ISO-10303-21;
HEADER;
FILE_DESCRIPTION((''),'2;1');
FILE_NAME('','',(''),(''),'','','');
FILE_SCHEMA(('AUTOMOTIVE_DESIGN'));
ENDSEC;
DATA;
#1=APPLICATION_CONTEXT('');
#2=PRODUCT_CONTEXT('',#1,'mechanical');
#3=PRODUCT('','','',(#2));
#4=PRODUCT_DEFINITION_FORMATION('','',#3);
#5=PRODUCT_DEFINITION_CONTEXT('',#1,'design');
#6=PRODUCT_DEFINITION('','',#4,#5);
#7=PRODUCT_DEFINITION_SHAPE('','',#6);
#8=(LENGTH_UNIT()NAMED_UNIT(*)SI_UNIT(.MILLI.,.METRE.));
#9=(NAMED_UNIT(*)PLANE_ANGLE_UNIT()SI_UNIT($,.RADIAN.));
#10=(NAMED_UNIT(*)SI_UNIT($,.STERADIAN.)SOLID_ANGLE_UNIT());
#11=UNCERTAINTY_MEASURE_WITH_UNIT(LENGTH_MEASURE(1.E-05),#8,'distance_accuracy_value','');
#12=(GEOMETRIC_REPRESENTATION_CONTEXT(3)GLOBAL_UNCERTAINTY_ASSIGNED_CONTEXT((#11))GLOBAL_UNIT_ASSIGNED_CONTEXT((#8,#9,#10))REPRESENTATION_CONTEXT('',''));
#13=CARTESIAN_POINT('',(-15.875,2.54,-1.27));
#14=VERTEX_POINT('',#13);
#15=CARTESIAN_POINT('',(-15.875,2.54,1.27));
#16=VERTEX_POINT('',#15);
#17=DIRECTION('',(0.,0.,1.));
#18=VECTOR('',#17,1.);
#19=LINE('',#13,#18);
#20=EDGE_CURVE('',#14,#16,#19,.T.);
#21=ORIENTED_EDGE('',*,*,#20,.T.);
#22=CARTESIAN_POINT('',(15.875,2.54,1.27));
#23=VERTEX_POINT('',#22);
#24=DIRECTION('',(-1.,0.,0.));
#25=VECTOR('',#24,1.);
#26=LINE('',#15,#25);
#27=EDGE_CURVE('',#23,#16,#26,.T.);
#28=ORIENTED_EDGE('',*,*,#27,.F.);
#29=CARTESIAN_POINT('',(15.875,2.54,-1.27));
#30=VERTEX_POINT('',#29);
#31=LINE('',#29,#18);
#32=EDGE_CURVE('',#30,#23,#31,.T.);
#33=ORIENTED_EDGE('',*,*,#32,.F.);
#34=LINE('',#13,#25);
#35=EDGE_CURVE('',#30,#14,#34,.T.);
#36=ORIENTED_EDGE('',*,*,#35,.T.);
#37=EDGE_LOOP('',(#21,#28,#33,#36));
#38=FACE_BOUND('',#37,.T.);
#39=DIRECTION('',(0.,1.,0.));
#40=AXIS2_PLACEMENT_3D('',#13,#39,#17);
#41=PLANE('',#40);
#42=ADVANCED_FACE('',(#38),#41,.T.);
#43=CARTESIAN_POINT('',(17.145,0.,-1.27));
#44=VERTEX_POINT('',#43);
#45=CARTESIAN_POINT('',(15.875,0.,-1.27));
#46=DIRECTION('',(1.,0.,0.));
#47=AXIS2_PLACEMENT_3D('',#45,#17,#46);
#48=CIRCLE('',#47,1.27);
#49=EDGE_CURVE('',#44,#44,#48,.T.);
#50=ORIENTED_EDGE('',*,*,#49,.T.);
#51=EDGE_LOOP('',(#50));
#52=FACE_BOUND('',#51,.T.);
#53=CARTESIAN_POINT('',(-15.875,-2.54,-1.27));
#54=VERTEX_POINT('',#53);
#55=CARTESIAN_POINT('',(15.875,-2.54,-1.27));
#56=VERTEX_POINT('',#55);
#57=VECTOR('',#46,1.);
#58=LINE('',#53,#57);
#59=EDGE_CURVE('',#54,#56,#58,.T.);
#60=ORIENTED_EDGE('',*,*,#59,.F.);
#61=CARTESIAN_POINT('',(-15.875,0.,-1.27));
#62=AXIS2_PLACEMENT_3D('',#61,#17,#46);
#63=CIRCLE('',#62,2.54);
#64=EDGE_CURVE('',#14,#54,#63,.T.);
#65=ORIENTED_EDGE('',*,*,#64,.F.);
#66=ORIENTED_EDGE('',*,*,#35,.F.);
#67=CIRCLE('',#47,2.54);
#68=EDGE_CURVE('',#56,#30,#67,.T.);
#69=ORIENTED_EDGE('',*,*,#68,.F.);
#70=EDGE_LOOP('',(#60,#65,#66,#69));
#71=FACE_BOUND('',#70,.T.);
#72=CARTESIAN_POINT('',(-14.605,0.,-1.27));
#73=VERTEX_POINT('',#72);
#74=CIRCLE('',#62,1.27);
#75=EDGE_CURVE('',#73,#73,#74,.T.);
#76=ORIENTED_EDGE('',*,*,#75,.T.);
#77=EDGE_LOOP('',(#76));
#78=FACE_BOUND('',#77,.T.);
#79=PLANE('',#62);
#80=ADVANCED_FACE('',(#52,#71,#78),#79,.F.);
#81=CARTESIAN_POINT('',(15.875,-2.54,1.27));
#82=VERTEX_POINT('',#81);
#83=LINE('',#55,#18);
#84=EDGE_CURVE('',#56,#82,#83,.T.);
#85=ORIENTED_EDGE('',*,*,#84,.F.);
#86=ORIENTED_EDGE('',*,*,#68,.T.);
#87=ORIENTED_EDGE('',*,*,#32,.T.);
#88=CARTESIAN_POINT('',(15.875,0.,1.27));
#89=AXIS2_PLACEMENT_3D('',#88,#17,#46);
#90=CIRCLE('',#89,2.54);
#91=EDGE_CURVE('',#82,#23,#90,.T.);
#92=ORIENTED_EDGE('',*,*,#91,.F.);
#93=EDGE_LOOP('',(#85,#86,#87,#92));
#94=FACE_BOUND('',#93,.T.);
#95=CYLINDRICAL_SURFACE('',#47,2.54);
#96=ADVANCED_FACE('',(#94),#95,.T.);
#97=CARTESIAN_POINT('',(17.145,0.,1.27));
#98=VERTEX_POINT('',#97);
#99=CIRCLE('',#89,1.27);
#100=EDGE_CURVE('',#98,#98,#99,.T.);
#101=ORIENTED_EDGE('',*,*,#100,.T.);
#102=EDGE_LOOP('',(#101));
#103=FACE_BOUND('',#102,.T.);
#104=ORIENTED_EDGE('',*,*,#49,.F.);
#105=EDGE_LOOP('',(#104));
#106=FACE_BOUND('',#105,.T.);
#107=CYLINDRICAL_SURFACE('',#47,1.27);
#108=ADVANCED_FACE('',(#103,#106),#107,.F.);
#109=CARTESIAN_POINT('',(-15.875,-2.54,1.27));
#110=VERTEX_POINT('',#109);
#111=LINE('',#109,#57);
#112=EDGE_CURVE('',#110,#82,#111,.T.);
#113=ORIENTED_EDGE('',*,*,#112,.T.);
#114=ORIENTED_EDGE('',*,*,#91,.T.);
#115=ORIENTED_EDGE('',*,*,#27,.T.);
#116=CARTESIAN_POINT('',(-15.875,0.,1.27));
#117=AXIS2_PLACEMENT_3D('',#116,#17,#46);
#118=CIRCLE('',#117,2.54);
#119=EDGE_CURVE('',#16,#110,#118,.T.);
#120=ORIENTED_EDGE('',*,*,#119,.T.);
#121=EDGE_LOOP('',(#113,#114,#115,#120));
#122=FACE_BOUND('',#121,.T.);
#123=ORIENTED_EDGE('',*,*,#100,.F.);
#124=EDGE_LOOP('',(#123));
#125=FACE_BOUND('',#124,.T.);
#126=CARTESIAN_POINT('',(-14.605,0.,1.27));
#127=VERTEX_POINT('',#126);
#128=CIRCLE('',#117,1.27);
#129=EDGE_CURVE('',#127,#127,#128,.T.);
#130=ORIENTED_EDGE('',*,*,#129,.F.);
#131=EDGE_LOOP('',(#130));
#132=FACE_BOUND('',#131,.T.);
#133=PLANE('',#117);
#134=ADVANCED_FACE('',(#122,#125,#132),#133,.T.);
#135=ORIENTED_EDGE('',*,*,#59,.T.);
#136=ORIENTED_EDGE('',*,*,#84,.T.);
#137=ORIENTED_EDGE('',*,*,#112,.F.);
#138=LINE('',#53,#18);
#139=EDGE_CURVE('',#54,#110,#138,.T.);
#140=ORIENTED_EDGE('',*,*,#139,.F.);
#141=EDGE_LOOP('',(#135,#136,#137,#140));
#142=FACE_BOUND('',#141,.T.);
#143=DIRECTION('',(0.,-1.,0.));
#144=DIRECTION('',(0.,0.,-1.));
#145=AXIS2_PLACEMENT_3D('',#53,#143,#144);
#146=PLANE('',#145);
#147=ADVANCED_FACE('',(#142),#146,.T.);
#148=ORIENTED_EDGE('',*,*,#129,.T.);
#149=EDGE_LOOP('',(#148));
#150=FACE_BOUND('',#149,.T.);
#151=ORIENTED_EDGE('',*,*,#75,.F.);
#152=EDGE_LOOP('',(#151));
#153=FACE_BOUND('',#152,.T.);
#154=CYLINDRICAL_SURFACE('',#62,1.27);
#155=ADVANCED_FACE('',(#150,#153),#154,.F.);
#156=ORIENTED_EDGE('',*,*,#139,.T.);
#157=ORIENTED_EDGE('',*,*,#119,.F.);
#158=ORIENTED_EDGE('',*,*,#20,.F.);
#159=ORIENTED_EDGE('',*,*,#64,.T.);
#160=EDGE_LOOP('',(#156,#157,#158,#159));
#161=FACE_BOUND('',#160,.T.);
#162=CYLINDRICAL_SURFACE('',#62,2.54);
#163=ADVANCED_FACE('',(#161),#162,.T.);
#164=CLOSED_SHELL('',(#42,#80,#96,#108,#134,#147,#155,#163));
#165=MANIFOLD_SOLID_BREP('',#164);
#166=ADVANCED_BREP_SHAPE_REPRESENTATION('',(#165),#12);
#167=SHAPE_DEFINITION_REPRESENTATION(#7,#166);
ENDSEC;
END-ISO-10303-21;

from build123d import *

# Parameters (mm, degrees)
BOSS_EXTRUDE1_DEPTH      = 1.27
BOSS_EXTRUDE1_DEPTH_BACK = 1.27
SKETCH1_R                = 1.27


with BuildPart() as part:
    # Sketch1 → Boss-Extrude1 (new, two sides: drawn at the far end of the back side and taken through both)
    with BuildSketch(Plane.XY.offset(-BOSS_EXTRUDE1_DEPTH_BACK)):
        with BuildLine():
            Line((-15.875, 2.54), (15.875, 2.54))
            ThreePointArc((15.875, 2.54), (18.415, 0), (15.875, -2.54))
            Line((15.875, -2.54), (-15.875, -2.54))
            ThreePointArc((-15.875, -2.54), (-18.415, 0), (-15.875, 2.54))
        make_face()
        with Locations((-15.875, 0)):
            Circle(SKETCH1_R, mode=Mode.SUBTRACT)
        with Locations((15.875, 0)):
            Circle(SKETCH1_R, mode=Mode.SUBTRACT)
    extrude(amount=BOSS_EXTRUDE1_DEPTH + BOSS_EXTRUDE1_DEPTH_BACK)


solid = part.part
